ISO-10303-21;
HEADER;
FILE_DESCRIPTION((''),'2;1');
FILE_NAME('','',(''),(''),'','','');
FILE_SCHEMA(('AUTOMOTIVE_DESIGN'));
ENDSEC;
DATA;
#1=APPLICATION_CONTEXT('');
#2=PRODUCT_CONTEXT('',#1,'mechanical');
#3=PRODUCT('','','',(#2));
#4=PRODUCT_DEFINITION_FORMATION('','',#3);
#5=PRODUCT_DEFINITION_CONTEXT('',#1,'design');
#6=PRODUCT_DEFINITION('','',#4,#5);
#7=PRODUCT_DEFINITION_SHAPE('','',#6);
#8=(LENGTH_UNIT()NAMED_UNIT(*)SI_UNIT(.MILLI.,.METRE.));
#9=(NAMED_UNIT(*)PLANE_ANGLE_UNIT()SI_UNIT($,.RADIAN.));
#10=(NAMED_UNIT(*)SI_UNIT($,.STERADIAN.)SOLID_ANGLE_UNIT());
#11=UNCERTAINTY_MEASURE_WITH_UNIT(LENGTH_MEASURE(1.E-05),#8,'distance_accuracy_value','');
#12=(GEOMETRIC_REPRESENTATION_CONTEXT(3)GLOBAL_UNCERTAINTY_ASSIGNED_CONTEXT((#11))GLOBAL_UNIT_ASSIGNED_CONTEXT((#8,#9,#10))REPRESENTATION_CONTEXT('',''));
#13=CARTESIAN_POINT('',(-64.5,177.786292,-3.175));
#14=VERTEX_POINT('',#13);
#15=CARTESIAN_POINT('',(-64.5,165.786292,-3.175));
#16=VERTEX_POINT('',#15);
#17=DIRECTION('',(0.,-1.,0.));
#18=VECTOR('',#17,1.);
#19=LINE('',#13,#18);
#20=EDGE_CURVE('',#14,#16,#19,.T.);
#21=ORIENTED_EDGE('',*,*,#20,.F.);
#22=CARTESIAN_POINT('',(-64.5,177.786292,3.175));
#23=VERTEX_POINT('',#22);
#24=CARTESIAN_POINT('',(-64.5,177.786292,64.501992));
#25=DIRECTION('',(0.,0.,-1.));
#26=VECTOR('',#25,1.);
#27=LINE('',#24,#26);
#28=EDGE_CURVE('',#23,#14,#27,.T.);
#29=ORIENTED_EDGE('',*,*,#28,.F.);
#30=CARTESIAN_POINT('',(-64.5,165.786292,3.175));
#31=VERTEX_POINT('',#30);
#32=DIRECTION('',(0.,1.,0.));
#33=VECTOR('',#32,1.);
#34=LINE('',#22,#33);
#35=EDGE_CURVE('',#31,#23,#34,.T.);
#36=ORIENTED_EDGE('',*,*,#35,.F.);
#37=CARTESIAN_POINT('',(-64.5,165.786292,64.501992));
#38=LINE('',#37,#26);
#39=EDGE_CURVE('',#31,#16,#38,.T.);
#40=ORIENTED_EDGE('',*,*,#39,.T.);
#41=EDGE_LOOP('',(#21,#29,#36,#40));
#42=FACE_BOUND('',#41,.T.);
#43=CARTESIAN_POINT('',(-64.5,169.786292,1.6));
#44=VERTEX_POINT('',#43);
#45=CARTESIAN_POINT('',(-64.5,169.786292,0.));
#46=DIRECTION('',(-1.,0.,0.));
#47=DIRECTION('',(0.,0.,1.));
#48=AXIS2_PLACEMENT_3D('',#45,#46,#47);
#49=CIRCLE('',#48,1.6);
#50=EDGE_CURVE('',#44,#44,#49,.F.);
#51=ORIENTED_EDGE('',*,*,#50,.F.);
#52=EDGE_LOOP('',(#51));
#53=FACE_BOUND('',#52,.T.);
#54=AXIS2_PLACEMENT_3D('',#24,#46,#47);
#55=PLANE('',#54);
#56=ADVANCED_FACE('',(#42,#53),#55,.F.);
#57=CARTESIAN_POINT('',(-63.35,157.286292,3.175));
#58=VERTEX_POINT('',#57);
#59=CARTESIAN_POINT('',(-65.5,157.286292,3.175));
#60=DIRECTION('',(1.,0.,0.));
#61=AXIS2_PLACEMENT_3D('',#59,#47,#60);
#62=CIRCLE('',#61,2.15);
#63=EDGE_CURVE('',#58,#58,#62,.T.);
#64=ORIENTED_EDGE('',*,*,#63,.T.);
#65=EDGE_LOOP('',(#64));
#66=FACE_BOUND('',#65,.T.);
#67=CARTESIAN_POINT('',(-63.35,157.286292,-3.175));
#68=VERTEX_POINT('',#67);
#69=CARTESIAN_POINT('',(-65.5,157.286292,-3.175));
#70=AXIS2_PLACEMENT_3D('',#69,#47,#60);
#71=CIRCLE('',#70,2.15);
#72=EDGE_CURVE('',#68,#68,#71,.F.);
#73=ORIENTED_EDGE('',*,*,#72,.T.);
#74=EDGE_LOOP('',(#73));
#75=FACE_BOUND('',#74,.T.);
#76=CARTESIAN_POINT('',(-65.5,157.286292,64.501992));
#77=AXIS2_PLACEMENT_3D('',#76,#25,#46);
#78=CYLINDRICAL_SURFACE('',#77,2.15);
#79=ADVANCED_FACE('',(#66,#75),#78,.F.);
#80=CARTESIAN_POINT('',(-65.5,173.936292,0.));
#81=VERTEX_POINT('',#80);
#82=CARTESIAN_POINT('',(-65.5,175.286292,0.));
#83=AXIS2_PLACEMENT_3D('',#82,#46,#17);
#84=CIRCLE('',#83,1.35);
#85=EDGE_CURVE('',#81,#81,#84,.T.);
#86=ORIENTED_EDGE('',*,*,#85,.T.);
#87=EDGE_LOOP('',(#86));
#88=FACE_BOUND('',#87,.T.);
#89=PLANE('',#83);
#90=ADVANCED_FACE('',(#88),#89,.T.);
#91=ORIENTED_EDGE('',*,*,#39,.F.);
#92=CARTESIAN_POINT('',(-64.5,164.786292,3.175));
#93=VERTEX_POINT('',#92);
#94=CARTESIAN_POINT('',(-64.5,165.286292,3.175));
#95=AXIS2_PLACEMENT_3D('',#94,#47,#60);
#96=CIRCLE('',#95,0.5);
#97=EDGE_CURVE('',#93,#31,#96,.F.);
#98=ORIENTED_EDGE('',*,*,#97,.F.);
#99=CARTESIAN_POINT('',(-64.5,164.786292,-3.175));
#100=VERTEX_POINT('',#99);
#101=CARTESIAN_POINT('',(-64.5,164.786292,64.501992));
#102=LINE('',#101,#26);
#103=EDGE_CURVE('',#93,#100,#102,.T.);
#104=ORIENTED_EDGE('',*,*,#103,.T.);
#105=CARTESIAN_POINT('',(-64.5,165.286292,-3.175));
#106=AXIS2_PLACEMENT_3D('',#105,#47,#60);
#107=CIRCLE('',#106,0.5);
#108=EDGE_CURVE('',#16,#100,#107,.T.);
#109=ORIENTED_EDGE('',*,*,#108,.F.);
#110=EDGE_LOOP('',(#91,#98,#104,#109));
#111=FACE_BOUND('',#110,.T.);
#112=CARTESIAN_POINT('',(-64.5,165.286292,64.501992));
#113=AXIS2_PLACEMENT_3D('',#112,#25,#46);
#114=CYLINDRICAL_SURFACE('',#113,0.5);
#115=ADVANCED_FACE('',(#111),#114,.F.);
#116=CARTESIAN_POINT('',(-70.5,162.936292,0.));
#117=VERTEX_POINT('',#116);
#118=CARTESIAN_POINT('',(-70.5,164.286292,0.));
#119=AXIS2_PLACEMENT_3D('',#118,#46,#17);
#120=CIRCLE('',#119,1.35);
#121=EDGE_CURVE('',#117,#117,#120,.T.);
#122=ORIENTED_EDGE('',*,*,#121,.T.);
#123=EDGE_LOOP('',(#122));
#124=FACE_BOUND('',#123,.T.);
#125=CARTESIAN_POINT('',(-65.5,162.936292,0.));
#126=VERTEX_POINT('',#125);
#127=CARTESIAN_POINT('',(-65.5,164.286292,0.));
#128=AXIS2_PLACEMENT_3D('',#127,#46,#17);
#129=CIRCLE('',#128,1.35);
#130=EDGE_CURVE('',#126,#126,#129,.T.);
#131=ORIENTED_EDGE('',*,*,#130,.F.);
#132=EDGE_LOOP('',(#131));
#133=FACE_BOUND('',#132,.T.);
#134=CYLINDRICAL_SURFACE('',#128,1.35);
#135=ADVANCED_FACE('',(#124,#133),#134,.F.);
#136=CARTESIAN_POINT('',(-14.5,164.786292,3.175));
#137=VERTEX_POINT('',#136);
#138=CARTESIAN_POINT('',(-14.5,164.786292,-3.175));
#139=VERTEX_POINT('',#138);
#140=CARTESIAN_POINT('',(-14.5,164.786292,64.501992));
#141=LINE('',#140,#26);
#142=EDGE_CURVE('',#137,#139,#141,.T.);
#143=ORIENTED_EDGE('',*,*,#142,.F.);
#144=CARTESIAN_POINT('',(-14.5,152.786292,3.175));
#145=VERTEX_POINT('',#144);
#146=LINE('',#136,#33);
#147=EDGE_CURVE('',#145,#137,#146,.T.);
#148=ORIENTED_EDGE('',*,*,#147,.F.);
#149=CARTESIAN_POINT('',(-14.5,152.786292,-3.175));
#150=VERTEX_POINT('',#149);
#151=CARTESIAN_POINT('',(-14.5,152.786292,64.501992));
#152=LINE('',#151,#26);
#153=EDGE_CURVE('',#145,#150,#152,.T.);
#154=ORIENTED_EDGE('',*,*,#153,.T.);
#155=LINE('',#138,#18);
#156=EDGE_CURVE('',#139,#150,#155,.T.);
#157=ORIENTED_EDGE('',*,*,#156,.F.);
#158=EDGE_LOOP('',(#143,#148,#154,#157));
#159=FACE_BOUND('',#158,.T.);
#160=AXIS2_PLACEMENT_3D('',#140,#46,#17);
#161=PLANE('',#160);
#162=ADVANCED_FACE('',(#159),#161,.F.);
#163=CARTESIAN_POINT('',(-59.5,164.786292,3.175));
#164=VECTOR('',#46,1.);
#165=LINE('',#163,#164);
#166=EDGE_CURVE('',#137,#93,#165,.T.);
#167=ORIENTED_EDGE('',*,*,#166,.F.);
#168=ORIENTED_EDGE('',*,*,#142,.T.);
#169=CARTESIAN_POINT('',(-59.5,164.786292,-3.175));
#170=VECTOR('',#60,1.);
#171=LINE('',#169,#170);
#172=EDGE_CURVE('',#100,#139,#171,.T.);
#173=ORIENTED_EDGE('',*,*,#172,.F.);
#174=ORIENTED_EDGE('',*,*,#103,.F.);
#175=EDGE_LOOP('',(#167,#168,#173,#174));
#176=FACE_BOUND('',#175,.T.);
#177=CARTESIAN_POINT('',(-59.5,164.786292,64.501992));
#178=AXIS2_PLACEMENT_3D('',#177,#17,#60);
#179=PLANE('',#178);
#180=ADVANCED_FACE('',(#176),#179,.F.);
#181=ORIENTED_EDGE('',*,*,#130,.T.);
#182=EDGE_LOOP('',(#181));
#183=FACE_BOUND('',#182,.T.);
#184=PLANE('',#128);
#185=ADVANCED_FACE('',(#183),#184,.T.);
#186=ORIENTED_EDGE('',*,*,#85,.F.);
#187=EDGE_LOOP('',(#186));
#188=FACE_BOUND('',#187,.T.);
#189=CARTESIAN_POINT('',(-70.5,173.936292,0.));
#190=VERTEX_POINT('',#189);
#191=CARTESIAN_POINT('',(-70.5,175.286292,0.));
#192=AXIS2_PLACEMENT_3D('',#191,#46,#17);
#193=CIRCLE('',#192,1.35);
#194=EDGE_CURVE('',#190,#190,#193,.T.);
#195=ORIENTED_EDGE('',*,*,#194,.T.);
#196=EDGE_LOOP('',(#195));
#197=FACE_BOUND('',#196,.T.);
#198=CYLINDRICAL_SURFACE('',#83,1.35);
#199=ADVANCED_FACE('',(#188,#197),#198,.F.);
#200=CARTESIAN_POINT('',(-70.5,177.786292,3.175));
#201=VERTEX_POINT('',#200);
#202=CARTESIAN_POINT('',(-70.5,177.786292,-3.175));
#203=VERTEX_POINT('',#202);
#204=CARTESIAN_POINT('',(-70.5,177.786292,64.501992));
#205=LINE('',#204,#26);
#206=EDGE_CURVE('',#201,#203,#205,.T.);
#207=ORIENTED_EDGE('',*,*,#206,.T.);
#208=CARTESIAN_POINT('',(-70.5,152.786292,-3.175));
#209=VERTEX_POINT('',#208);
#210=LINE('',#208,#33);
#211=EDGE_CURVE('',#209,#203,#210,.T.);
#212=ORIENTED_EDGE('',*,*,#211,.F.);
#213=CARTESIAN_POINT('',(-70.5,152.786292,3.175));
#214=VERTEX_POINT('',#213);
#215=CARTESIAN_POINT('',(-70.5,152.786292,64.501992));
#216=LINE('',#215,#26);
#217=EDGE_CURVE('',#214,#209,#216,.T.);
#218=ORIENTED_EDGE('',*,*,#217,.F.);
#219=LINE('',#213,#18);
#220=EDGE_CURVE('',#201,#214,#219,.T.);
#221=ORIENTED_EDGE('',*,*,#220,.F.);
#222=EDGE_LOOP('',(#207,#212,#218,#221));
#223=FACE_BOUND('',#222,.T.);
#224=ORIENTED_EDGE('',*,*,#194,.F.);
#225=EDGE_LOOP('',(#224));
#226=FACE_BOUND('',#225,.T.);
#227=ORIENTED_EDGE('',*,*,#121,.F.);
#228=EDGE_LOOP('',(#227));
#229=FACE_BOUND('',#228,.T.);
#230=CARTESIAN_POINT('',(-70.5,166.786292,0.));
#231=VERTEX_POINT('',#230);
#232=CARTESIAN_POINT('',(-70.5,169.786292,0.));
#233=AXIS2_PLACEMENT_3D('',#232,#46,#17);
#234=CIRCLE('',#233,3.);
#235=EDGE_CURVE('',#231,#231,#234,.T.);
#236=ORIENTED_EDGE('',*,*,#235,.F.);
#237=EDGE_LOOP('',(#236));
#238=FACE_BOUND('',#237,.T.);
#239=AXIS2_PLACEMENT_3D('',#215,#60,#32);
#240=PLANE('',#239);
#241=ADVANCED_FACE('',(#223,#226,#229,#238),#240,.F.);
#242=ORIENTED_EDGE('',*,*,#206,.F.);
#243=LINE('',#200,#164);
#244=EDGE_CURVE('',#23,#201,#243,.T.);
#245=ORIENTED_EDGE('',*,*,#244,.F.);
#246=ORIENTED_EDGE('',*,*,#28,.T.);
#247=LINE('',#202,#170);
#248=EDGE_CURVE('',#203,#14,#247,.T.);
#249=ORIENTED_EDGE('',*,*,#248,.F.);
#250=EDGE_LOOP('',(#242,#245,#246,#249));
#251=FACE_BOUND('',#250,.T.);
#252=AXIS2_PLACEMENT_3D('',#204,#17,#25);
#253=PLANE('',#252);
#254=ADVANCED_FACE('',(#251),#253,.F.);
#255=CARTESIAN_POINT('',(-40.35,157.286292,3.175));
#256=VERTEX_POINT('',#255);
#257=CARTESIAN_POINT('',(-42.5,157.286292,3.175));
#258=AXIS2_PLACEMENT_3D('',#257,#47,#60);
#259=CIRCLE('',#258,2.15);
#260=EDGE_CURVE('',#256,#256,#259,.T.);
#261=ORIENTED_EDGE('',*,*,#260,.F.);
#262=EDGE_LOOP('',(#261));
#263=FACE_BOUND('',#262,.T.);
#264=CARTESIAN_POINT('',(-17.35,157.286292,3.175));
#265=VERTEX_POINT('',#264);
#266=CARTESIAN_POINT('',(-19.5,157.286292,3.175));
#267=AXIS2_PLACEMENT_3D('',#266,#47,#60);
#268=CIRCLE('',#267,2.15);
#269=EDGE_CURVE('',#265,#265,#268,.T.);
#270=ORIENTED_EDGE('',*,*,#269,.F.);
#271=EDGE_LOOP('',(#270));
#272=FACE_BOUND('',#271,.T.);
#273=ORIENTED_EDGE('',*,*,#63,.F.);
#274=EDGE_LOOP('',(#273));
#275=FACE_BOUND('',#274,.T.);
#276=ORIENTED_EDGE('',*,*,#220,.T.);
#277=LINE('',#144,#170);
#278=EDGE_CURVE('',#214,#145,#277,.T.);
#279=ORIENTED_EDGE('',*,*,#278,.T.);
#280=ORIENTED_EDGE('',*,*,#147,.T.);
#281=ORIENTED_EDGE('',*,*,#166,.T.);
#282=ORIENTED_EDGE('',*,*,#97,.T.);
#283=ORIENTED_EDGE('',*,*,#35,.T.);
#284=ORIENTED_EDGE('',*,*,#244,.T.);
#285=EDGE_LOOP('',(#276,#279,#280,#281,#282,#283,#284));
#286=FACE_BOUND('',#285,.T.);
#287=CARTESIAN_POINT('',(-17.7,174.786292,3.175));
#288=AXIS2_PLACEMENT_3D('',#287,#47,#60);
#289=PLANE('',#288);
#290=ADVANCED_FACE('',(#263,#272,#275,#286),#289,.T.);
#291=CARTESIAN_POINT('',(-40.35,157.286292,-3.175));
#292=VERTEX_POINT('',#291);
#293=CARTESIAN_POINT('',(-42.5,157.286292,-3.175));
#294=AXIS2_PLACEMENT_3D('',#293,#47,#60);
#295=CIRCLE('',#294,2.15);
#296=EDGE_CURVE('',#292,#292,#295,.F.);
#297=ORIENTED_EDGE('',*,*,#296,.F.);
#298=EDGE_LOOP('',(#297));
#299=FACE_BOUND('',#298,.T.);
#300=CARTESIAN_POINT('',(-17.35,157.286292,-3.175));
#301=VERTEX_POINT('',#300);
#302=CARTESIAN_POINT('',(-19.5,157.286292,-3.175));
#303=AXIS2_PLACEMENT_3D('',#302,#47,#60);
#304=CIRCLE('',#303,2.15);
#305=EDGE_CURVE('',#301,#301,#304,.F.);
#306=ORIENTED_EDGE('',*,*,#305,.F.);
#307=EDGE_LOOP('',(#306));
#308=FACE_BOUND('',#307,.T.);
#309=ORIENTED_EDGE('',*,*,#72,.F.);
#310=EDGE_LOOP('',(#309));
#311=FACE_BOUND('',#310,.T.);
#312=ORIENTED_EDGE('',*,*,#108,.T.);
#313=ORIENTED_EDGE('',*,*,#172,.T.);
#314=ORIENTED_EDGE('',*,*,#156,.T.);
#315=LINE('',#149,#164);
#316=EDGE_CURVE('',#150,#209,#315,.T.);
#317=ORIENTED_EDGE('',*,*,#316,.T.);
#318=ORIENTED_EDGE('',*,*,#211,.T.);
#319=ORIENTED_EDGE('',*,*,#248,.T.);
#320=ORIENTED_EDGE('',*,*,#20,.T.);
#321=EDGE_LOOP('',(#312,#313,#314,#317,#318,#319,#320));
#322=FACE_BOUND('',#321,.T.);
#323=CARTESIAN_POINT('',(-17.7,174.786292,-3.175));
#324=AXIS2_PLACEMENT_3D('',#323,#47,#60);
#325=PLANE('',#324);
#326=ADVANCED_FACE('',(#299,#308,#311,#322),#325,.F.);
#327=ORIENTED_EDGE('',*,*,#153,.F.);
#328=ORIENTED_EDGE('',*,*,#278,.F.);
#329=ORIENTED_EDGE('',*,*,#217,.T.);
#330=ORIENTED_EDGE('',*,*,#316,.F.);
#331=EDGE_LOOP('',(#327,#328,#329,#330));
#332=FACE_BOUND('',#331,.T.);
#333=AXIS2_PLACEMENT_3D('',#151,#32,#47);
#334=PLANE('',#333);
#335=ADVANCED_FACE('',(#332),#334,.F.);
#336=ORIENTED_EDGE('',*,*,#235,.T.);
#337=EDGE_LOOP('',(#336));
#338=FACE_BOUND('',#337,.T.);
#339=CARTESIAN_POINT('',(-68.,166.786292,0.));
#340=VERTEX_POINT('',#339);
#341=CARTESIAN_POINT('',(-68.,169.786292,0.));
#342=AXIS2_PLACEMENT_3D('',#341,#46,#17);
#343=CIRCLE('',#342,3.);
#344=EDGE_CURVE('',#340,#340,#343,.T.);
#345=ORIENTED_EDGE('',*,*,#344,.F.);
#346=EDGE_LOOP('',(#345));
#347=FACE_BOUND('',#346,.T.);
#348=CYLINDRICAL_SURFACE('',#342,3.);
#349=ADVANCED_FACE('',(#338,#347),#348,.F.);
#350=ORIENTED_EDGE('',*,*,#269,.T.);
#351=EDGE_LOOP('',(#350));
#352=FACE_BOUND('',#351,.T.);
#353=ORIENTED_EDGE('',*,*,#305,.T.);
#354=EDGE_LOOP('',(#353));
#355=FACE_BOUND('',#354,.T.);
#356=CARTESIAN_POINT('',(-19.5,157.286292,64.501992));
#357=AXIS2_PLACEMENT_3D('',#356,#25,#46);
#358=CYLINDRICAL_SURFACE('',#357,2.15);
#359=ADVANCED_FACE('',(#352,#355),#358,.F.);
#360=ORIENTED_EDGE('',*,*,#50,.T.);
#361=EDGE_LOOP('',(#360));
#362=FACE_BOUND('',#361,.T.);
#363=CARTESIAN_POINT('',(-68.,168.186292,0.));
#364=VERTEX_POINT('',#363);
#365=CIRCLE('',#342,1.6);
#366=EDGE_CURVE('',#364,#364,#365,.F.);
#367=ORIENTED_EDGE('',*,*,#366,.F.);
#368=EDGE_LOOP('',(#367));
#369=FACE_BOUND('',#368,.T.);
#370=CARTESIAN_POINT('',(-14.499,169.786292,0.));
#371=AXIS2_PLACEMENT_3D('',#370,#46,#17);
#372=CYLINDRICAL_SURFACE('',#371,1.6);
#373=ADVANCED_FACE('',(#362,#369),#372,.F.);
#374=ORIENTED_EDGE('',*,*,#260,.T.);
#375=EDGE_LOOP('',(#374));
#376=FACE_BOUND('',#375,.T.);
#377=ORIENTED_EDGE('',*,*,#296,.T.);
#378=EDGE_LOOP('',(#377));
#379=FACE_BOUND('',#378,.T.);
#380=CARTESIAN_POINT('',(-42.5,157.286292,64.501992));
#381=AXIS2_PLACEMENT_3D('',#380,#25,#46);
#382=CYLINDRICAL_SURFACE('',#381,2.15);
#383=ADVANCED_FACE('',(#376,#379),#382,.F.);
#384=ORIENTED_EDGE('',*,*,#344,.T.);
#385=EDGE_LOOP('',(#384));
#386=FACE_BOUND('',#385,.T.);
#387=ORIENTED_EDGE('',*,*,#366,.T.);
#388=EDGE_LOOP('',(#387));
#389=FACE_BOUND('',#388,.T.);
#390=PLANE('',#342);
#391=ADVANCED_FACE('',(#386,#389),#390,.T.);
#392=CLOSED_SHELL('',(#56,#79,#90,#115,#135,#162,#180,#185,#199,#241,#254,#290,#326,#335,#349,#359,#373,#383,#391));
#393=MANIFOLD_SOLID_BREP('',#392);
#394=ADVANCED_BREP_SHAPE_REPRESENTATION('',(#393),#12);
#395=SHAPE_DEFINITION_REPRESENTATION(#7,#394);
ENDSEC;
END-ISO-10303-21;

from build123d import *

# Parameters (mm, degrees)
SKETCH1_R                = 2.15
BOSS_EXTRUDE1_DEPTH      = 3.175
BOSS_EXTRUDE1_DEPTH_BACK = 3.175
CUT_EXTRUDE1_REACH       = 58
SKETCH2_R                = 1.6
SKETCH3_R                = 3
CUT_EXTRUDE2_DEPTH       = 2.5
SKETCH4_R                = 1.35
CUT_EXTRUDE3_DEPTH       = 5


with BuildPart() as part:
    # Sketch1 → Boss-Extrude1 (new body, two sides)
    with BuildSketch(Plane.XY) as boss_extrude1_sk:
        with BuildLine():
            Line((-70.5, 177.786291501), (-64.5, 177.786291501))
            Line((-64.5, 177.786291501), (-64.5, 165.786291501))
            ThreePointArc((-64.5, 165.786291501), (-65, 165.286291501), (-64.5, 164.786291501))
            Line((-64.5, 164.786291501), (-59.5, 164.786291501))
            Line((-59.5, 164.786291501), (-14.5, 164.786291501))
            Line((-14.5, 164.786291501), (-14.5, 152.786291501))
            Line((-14.5, 152.786291501), (-70.5, 152.786291501))
            Line((-70.5, 152.786291501), (-70.5, 177.786291501))
        make_face()
        with Locations((-65.5, 157.286291501)):
            Circle(SKETCH1_R, mode=Mode.SUBTRACT)
        with Locations((-42.5, 157.286291501)):
            Circle(SKETCH1_R, mode=Mode.SUBTRACT)
        with Locations((-19.5, 157.286291501)):
            Circle(SKETCH1_R, mode=Mode.SUBTRACT)
    extrude(amount=BOSS_EXTRUDE1_DEPTH)
    extrude(boss_extrude1_sk.sketch, amount=-BOSS_EXTRUDE1_DEPTH_BACK)

    # Sketch2 → Cut-Extrude1 (cut, up to next)
    with BuildSketch(Plane.ZY.offset(70.5), mode=Mode.PRIVATE) as cut_extrude1_sk1:
        with Locations((0, 169.786291501)):
            Circle(SKETCH2_R)
    cut_extrude1_tool1 = extrude(cut_extrude1_sk1.sketch, amount=-CUT_EXTRUDE1_REACH, mode=Mode.PRIVATE) & part.part
    add(cut_extrude1_tool1.solids().sort_by_distance((-70.5, 169.786292, 0))[0], mode=Mode.SUBTRACT)

    # Sketch3 → Cut-Extrude2 (cut)
    with BuildSketch(Plane.ZY.offset(70.5)):
        with Locations((0, 169.786291501)):
            Circle(SKETCH3_R)
    extrude(amount=-CUT_EXTRUDE2_DEPTH, mode=Mode.SUBTRACT)

    # Sketch4 → Cut-Extrude3 (cut)
    with BuildSketch(Plane.ZY.offset(70.5)):
        with Locations((0, 175.286291501)):
            Circle(SKETCH4_R)
        with Locations((0, 164.286291501)):
            Circle(SKETCH4_R)
    extrude(amount=-CUT_EXTRUDE3_DEPTH, mode=Mode.SUBTRACT)


solid = part.part
